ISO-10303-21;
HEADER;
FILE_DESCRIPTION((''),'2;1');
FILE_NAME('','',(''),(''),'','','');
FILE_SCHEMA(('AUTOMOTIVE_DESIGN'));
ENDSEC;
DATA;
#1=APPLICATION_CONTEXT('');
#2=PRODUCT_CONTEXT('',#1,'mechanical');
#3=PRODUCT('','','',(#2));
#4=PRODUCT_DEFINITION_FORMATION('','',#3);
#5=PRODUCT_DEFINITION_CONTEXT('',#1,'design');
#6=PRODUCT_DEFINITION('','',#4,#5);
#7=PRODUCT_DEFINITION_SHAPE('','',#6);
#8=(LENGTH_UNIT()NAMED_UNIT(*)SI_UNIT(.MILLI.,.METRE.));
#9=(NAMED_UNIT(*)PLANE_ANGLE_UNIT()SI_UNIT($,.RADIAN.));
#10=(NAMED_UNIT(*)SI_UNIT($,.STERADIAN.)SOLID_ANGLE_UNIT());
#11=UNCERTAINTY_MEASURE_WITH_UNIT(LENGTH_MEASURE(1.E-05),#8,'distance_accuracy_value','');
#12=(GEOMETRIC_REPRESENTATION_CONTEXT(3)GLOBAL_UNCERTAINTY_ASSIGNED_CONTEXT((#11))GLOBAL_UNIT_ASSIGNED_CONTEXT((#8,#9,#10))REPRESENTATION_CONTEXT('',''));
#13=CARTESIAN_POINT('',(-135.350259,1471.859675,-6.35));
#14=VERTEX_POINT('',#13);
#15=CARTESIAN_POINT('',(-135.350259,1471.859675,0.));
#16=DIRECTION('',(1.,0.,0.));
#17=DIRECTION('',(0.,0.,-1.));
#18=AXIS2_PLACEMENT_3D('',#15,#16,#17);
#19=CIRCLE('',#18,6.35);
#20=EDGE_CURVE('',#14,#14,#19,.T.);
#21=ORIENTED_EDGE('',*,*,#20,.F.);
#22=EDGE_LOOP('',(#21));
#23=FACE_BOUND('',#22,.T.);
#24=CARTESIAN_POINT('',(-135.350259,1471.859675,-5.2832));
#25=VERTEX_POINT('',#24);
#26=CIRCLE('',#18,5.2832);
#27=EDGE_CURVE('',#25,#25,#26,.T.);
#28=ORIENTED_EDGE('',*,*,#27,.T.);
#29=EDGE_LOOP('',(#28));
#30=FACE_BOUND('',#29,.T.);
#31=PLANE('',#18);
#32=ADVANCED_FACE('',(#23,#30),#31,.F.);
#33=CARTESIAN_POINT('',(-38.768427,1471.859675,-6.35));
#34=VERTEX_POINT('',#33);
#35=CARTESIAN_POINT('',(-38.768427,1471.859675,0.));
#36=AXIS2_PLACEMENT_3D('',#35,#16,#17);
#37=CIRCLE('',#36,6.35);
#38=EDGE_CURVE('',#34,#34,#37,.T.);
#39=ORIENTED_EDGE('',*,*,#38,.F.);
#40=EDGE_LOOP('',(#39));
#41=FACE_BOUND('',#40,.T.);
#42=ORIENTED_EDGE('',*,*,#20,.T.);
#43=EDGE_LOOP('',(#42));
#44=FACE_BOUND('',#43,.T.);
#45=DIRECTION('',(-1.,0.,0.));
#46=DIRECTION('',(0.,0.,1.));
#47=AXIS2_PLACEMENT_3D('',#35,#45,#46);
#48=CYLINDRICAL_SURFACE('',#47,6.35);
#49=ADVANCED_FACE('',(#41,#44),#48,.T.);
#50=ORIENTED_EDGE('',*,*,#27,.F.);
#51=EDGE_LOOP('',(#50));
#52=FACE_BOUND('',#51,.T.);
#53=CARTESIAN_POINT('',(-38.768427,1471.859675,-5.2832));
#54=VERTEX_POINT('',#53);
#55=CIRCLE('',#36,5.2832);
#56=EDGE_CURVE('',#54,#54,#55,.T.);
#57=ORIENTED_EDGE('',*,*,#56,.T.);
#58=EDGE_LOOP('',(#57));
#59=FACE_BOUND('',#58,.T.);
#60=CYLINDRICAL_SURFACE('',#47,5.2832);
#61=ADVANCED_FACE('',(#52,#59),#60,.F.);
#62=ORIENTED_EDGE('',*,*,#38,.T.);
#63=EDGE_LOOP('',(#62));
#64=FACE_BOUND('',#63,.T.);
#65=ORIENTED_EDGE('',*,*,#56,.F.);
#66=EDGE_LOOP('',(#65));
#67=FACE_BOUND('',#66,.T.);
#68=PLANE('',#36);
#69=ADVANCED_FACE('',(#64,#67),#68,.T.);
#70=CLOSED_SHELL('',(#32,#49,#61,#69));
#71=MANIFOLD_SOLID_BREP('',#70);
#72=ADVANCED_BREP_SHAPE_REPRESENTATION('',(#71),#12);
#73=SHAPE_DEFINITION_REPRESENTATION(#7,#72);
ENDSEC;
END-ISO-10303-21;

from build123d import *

# Parameters (mm, degrees)
SKETCH11_R              = 6.35
SKETCH11_R_2            = 5.2832
PIPE_0_5_SCH_40_1_DEPTH = 96.581832053


with BuildPart() as part:
    # Sketch11 → Pipe 0.5 SCH 40(1) (new body)
    with BuildSketch(Plane(origin=(-135.350259129, 1471.859674504, 0), x_dir=(0, 1, 0), z_dir=(1, 0, 0))):
        Circle(SKETCH11_R)
        Circle(SKETCH11_R_2, mode=Mode.SUBTRACT)
    extrude(amount=PIPE_0_5_SCH_40_1_DEPTH)


solid = part.part
